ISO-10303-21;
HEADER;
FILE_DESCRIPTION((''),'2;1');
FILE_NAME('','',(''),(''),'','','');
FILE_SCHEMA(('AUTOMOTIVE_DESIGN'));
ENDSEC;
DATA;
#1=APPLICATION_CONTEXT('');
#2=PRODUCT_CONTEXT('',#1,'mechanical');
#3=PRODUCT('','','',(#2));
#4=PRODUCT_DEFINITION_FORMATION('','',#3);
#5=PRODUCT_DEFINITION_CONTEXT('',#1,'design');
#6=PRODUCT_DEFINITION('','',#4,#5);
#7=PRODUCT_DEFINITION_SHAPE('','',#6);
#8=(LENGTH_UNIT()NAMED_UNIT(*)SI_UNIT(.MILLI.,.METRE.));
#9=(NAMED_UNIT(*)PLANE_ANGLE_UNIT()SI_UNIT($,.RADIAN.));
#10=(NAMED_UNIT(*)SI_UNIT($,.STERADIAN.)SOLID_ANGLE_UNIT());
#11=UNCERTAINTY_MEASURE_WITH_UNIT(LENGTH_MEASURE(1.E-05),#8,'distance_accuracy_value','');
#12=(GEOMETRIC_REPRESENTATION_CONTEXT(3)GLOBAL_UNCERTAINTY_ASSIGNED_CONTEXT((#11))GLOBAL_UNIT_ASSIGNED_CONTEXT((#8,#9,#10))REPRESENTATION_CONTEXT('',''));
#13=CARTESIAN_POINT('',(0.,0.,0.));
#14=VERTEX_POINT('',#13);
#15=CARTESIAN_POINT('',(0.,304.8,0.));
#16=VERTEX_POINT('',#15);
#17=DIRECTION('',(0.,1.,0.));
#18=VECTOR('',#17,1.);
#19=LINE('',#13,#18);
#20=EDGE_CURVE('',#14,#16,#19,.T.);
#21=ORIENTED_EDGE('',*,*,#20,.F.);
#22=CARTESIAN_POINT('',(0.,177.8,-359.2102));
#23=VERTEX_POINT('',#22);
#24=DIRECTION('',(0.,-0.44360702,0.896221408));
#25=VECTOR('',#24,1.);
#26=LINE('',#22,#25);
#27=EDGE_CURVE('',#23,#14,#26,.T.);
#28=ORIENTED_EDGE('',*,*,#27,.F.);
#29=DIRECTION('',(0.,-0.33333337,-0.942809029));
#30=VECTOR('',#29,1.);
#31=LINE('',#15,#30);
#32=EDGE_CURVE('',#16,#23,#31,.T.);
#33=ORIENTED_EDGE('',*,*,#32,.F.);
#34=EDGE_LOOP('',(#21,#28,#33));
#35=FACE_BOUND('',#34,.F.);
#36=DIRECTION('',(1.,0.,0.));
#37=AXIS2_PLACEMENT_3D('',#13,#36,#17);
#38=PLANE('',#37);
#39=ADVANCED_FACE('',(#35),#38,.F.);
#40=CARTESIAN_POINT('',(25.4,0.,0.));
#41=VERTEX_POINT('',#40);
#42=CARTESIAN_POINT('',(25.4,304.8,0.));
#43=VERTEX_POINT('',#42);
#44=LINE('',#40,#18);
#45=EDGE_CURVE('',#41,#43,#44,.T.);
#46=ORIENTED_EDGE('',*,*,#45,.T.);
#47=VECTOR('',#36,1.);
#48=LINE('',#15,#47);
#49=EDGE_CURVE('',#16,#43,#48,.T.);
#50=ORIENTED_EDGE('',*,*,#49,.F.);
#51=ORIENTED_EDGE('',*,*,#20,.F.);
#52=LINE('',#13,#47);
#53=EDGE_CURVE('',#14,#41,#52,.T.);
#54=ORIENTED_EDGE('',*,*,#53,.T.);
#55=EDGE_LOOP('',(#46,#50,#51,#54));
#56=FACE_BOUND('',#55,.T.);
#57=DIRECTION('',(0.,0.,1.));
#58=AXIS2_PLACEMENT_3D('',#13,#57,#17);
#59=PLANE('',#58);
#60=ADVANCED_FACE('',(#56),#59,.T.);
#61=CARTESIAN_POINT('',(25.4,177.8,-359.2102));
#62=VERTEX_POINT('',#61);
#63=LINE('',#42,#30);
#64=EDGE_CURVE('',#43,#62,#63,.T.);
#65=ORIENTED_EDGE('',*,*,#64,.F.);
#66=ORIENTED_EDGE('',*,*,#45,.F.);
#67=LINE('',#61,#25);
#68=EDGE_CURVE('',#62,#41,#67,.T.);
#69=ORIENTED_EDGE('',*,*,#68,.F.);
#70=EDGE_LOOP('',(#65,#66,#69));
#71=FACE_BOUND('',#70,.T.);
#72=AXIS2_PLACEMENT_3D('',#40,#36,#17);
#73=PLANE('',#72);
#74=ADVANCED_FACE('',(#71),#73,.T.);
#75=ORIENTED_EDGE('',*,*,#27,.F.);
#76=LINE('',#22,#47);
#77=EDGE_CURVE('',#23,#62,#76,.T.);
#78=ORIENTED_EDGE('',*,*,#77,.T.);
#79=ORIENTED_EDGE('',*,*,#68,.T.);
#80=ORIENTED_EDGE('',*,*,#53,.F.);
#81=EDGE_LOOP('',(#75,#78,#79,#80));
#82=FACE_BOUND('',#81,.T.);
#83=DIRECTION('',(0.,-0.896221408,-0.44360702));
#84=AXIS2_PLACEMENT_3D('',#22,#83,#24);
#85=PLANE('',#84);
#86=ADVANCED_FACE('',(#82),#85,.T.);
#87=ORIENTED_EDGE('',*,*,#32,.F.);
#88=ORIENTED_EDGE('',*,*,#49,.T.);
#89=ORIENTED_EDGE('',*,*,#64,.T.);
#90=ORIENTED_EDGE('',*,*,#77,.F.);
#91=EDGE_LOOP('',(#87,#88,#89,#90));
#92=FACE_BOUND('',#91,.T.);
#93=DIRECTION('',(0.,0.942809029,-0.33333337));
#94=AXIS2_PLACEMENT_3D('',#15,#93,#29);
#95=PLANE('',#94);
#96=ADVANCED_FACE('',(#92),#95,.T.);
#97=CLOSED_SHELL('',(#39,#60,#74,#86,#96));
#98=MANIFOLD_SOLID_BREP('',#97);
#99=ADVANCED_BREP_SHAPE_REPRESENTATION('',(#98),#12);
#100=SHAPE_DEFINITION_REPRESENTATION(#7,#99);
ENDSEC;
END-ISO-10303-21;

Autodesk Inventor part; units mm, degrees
ref_plane "YZ Plane" through (0, 0, 0) normal (1, 0, 0) x (0, 1, 0)
ref_plane "XZ Plane" through (0, 0, 0) normal (0, 1, 0) x (-1, 0, 0)
ref_plane "XY Plane" through (0, 0, 0) normal (0, 0, 1) x (1, 0, 0)
sketch "Sketch2" plane through (0, 0, 0) normal (1, 0, 0) x (0, 1, 0)
  line L0 (0, 0) -> (304.8, 0)
  line L1 (304.8, 0) -> (177.8, -359.2102)
  line L2 (177.8, -359.2102) -> (0, 0)
  dimension "d1" = 304.8
  dimension "d2" = 381
extrude "Extrusion1" add sketch "Sketch2" along normal blind 25.4
properties part number "HPSFlagPurple-ver1-1111-2021"
